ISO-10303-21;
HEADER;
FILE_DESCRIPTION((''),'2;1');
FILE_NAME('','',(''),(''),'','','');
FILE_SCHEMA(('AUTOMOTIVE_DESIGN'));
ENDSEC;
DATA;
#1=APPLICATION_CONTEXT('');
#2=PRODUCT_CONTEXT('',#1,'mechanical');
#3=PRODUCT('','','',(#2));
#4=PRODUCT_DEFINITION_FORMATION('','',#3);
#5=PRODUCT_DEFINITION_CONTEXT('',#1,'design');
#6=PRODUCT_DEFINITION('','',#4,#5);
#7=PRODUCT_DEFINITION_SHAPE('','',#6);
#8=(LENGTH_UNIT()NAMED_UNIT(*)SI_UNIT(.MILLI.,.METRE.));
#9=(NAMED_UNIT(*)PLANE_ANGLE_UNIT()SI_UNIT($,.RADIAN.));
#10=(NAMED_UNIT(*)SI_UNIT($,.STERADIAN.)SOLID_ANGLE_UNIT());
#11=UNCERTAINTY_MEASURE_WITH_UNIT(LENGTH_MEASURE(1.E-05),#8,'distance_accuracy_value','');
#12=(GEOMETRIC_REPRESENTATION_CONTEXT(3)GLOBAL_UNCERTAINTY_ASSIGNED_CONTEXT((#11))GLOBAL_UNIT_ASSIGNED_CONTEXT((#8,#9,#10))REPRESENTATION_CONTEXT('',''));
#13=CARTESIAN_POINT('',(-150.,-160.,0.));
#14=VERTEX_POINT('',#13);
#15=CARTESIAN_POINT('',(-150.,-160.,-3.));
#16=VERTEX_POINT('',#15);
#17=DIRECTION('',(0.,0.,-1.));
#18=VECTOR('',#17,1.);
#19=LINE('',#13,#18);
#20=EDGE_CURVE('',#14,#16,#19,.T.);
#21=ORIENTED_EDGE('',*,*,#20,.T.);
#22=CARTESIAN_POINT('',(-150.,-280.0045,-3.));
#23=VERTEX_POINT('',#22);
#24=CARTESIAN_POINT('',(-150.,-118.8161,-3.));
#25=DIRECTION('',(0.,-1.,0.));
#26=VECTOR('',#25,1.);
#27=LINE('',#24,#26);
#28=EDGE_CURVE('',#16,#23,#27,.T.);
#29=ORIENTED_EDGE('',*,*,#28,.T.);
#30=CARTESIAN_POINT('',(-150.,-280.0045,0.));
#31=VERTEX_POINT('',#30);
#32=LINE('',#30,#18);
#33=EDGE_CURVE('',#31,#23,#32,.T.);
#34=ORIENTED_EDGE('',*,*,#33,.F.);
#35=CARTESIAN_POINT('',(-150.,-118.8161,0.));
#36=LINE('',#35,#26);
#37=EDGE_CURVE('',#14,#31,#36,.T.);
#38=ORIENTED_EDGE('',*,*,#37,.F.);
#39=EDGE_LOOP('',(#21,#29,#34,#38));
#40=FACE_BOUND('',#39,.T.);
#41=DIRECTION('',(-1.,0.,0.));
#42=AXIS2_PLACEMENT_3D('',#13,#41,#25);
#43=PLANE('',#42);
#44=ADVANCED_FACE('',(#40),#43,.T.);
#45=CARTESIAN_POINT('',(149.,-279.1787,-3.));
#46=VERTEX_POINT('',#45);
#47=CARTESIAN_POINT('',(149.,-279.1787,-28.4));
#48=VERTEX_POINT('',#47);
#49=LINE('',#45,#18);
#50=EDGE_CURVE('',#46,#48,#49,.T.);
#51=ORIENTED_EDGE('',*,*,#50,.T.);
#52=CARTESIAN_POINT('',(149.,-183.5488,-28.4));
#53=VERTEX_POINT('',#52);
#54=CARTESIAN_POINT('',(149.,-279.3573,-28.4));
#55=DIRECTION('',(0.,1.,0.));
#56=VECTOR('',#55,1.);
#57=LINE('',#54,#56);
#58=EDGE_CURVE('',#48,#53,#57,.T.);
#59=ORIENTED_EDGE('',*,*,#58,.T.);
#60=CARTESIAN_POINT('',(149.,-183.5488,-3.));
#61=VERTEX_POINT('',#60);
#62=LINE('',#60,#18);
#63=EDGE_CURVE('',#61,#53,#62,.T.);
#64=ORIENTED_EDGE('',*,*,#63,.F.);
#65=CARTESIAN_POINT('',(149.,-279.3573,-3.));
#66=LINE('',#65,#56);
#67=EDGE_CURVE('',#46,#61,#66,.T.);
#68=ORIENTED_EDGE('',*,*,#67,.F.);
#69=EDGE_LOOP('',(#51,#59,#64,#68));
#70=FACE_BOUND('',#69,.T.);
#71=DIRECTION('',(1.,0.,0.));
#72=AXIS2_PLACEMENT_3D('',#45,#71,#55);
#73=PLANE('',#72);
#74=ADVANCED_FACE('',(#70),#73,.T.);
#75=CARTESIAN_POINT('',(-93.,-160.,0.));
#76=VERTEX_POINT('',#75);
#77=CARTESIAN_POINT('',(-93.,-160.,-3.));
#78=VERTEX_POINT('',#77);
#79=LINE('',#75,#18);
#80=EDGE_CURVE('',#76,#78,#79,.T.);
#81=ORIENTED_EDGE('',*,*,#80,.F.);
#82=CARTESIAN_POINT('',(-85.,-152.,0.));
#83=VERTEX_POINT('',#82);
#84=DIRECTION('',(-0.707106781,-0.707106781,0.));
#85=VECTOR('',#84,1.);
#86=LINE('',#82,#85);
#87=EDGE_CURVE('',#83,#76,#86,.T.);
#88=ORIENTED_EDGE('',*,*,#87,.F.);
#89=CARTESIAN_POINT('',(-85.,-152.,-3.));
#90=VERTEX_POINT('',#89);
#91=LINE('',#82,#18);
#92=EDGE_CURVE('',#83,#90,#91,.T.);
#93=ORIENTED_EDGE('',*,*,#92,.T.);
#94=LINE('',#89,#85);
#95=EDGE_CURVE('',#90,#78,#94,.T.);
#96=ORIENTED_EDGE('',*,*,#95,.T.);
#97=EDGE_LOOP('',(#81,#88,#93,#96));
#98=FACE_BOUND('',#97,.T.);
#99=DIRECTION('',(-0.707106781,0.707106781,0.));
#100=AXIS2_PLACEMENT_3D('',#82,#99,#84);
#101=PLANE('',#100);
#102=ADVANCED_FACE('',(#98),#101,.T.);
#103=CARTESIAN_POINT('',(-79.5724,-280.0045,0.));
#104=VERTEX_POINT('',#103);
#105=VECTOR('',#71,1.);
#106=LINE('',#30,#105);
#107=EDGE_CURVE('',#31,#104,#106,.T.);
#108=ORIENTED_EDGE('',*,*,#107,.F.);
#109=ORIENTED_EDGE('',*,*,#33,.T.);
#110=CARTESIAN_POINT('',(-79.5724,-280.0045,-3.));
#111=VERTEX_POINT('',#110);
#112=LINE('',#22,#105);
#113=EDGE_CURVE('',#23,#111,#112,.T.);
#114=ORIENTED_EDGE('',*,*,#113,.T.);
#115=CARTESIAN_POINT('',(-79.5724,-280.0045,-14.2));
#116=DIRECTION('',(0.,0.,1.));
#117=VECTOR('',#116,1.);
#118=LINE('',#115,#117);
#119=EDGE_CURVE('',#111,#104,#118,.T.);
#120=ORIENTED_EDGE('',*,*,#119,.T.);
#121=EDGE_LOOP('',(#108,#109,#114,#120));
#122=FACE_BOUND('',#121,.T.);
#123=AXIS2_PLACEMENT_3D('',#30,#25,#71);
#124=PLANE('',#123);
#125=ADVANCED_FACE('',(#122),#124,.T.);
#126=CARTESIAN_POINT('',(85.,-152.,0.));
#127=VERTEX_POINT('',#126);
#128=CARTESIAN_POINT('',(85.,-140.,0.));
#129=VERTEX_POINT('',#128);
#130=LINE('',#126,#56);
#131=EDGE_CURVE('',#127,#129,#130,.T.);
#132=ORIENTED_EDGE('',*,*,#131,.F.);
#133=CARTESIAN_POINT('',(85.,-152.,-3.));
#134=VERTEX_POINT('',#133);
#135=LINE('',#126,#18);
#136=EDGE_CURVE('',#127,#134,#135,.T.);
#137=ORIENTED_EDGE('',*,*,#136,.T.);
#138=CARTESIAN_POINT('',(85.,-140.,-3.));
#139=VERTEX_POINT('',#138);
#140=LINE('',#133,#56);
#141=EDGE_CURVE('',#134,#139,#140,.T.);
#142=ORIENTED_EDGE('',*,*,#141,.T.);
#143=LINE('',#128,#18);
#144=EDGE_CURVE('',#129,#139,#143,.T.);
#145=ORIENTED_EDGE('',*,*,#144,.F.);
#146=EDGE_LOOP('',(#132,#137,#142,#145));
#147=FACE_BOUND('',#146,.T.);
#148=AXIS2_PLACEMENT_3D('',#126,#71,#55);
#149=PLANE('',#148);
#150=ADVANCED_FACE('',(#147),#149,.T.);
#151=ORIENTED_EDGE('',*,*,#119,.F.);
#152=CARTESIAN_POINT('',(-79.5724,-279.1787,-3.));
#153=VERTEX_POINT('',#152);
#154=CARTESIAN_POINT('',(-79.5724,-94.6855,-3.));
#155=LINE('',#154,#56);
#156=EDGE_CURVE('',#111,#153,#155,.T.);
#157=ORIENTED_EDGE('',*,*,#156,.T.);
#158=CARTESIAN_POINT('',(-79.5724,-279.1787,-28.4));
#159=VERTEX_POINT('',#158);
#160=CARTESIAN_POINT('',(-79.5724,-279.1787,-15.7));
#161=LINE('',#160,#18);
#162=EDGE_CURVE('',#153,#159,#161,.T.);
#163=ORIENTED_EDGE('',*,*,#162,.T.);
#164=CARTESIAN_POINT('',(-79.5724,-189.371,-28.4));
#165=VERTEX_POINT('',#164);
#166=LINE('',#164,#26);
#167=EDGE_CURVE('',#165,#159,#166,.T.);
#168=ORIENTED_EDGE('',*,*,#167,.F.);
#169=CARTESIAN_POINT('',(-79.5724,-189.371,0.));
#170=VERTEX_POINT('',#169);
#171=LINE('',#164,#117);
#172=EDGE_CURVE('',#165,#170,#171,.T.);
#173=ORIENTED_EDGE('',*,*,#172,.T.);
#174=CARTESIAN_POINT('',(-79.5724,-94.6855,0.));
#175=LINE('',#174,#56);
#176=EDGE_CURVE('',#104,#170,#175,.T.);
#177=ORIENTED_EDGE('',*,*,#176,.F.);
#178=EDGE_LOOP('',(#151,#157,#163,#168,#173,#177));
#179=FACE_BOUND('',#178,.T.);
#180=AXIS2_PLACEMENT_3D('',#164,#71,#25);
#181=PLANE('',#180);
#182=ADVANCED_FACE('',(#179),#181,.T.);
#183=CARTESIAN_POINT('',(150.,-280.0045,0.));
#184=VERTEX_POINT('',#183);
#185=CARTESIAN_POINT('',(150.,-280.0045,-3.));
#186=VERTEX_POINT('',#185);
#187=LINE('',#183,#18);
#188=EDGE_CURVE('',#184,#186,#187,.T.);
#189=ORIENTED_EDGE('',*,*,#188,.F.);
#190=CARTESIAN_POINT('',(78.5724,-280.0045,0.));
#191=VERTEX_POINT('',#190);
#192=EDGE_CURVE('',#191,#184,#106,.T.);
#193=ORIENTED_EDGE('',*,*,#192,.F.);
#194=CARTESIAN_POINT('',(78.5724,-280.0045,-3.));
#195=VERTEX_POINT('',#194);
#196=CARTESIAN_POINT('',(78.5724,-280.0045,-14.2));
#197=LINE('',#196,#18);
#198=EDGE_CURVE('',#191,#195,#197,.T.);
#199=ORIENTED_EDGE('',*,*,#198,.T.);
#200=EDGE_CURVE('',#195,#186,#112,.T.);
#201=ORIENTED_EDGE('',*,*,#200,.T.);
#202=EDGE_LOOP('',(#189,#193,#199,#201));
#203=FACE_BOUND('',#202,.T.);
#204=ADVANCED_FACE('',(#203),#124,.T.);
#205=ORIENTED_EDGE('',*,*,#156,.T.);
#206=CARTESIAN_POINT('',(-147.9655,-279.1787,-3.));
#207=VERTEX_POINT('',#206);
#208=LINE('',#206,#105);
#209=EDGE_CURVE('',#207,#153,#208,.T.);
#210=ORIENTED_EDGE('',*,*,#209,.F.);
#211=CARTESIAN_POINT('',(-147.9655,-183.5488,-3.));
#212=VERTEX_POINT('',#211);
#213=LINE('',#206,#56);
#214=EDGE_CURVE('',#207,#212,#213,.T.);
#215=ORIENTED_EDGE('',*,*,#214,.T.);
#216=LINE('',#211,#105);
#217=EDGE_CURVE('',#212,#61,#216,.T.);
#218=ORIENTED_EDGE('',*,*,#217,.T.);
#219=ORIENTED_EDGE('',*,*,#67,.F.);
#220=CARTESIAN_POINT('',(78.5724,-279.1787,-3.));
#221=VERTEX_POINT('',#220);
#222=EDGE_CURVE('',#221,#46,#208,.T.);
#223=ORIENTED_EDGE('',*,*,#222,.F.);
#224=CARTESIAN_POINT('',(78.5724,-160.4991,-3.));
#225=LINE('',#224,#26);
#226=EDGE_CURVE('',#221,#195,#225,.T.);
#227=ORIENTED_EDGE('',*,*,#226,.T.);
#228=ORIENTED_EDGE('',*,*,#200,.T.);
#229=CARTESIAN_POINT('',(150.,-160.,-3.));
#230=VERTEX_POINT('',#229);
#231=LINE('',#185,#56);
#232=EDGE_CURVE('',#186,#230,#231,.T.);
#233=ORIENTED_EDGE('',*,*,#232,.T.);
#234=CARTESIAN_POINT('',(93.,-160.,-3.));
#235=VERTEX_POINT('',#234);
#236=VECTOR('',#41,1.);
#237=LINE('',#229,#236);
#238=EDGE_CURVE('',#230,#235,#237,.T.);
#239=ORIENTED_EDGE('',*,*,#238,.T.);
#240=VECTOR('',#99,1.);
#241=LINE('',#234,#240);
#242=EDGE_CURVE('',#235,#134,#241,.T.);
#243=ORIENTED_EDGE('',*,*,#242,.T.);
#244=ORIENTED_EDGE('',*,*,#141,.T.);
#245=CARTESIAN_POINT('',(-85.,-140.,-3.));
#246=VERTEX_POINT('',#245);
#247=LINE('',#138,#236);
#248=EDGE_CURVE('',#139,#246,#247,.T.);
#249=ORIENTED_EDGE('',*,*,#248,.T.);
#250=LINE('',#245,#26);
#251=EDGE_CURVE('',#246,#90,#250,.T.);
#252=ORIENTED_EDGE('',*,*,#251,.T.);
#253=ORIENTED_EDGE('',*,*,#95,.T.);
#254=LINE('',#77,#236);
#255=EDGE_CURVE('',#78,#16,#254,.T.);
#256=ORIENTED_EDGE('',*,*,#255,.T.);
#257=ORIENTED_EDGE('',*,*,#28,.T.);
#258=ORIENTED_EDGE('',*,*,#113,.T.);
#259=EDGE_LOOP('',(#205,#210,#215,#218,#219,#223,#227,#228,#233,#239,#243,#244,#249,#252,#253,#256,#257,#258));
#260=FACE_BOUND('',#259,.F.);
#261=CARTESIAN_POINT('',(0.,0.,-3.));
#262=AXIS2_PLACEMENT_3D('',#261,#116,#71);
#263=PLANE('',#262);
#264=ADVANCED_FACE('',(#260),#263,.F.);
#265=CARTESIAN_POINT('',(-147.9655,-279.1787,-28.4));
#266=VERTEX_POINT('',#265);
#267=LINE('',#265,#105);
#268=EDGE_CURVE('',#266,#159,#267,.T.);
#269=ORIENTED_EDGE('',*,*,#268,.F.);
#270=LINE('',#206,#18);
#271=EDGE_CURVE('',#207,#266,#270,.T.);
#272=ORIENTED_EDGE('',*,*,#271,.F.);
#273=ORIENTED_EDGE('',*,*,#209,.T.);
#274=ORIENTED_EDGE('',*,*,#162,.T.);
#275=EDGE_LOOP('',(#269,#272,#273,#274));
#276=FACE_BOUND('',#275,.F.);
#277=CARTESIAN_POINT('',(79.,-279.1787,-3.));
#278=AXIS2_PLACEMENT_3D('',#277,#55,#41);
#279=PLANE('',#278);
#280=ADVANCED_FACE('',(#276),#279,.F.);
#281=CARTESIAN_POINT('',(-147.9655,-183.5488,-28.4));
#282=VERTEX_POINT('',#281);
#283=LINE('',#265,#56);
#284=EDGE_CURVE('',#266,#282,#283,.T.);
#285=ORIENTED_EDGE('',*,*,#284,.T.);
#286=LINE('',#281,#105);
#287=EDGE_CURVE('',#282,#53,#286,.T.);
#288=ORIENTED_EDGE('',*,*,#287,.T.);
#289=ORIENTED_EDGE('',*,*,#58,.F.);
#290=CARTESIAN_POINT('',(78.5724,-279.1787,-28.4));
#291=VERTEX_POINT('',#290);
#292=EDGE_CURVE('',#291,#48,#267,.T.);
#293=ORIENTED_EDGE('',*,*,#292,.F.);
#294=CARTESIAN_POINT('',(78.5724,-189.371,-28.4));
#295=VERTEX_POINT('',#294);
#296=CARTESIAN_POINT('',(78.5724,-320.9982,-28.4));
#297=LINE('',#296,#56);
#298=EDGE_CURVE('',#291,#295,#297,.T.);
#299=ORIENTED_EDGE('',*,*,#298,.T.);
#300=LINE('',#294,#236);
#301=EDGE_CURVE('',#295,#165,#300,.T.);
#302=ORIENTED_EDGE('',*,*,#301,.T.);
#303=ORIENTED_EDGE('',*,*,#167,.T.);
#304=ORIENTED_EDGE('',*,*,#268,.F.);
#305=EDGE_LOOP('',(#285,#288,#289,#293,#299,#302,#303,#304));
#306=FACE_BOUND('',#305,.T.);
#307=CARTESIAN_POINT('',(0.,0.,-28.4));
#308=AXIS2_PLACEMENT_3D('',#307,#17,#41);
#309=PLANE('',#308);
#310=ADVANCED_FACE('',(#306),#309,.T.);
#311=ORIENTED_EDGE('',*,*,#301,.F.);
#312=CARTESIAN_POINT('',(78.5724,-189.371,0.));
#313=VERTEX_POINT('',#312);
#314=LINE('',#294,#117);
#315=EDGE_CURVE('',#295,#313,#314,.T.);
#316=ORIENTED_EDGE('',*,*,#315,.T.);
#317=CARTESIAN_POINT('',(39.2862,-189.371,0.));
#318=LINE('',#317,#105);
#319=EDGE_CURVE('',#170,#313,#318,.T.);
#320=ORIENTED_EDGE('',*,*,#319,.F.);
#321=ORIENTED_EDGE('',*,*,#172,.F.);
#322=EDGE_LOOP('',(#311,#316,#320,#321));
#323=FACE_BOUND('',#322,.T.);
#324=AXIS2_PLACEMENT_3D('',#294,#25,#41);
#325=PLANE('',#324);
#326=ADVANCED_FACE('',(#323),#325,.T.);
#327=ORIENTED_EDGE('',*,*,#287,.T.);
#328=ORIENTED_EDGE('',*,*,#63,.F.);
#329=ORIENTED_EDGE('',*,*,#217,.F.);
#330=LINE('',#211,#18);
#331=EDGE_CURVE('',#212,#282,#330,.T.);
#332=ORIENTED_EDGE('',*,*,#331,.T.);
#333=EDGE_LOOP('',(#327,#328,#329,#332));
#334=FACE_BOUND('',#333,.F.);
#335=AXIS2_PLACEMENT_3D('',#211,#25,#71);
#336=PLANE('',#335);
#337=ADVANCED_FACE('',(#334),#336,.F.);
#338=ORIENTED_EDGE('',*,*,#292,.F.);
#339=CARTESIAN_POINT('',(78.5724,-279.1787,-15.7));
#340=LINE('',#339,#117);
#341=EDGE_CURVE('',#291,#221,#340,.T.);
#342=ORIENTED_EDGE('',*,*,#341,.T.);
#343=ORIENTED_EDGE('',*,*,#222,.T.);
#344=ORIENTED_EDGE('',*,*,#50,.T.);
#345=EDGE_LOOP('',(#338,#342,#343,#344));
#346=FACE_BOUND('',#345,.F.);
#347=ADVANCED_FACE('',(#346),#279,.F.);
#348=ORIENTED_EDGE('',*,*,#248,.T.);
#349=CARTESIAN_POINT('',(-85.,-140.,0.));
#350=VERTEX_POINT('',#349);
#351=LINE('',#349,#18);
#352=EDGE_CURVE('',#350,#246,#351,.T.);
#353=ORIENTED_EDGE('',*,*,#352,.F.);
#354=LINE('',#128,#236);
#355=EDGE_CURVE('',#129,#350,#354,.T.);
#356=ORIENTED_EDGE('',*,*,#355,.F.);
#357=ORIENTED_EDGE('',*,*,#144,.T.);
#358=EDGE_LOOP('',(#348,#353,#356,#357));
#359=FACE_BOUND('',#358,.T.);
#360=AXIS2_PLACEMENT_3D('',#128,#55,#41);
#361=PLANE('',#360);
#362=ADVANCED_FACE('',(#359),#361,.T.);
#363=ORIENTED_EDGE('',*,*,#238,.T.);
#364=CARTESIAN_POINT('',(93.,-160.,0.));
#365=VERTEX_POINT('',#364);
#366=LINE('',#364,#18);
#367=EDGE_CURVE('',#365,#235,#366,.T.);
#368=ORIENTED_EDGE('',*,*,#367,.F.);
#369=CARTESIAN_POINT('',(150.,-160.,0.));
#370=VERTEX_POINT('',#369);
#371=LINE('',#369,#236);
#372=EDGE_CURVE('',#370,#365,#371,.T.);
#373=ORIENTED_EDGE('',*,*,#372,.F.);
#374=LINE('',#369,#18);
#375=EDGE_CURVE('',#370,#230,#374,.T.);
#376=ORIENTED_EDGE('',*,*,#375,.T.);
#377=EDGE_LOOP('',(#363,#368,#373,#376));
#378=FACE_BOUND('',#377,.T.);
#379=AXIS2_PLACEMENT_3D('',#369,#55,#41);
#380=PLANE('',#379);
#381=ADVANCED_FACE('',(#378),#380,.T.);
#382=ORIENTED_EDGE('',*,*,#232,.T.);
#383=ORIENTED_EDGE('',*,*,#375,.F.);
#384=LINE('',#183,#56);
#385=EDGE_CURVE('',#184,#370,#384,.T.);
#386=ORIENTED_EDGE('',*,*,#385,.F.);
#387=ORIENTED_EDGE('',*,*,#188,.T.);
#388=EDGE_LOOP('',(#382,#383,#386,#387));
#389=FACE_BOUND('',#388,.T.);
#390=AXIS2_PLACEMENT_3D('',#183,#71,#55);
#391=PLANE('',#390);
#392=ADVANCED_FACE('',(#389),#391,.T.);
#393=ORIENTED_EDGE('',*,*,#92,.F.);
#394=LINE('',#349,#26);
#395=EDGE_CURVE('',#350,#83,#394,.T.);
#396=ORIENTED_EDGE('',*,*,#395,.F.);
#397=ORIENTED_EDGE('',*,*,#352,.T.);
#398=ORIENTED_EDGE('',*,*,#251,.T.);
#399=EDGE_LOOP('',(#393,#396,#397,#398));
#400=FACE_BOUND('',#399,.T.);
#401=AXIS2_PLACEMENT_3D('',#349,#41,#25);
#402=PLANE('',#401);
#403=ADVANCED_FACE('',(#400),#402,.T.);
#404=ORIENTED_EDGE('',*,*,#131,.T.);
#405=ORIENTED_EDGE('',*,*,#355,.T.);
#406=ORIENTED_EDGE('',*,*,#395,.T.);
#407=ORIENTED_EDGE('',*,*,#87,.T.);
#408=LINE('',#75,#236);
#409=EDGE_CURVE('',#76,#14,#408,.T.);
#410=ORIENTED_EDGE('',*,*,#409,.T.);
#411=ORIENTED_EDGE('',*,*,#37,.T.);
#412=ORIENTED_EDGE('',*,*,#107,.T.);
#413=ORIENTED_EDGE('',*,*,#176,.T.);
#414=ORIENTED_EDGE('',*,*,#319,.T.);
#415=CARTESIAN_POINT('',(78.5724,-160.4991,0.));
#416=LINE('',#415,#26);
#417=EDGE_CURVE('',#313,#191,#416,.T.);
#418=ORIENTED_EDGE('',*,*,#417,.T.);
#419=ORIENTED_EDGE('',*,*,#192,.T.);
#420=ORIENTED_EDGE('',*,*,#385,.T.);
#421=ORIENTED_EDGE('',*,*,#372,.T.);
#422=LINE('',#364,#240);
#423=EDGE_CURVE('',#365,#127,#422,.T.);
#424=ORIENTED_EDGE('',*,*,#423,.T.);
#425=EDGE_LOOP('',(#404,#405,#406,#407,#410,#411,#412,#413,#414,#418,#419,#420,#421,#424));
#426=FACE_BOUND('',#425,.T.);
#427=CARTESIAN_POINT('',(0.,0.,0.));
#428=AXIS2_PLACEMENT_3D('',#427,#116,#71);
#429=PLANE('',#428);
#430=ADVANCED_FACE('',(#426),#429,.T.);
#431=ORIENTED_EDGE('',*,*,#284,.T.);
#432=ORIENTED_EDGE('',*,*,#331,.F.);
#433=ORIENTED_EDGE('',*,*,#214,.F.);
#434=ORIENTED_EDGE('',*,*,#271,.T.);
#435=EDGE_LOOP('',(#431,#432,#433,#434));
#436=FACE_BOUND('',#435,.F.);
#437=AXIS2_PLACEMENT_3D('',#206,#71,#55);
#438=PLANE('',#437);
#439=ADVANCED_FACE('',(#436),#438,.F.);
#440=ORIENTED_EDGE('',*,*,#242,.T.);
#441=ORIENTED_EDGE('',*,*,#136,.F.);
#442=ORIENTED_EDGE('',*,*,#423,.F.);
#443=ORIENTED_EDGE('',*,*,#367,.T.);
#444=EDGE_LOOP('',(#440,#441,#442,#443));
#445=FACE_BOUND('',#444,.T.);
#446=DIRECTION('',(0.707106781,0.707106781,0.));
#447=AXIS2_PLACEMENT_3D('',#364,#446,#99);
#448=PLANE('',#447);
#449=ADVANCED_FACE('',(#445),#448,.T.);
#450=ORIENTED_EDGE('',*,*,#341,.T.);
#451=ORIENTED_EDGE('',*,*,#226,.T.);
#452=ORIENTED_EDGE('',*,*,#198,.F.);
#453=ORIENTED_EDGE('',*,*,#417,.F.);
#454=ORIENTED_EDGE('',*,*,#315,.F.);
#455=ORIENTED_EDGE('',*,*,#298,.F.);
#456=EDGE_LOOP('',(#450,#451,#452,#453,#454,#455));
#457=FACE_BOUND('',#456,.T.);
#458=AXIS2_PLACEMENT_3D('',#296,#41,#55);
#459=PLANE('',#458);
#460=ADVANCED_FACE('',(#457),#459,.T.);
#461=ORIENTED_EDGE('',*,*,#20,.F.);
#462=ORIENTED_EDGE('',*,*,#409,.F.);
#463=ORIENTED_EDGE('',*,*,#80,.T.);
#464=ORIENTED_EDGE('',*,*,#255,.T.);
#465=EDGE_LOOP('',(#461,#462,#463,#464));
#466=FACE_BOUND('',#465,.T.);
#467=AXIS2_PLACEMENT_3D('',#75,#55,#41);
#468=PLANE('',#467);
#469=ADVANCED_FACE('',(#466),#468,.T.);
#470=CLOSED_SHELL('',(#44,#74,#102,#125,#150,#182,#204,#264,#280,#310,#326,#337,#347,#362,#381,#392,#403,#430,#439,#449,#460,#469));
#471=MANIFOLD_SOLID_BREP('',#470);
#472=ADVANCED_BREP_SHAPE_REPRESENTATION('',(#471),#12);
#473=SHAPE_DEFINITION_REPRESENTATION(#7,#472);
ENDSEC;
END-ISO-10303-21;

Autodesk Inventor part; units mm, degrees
ref_plane "YZ Plane" through (0, 0, 0) normal (1, 0, 0) x (0, 1, 0)
ref_plane "XZ Plane" through (0, 0, 0) normal (0, 1, 0) x (-1, 0, 0)
ref_plane "XY Plane" through (0, 0, 0) normal (0, 0, 1) x (1, 0, 0)
ref_plane "Work Plane1" through (0, 0, 0) normal (0, 0, 1) x (1, 0, 0)
sketch "Sketch1" plane through (0, 0, 0) normal (0, 0, 1) x (1, 0, 0)
  line L0 (93, -160) -> (85, -152) projected
  line L1 (150, -160) -> (93, -160) projected
  line L2 (150, -27.5) -> (150, -160) projected
  line L3 (110, -27.5) -> (150, -27.5) projected
  line L4 (110, 47.5) -> (110, -27.5) projected
  line L5 (150, 47.5) -> (110, 47.5) projected
  line L6 (150, 160) -> (150, 47.5) projected
  line L7 (-150, 160) -> (150, 160) projected
  line L8 (-150, 47.5) -> (-150, 160) projected
  line L9 (-110, 47.5) -> (-150, 47.5) projected
  line L10 (-110, -27.5) -> (-110, 47.5) projected
  line L11 (-150, -27.5) -> (-110, -27.5) projected
  line L12 (-150, -160) -> (-150, -27.5) projected
  line L13 (-93, -160) -> (-150, -160) projected
  line L14 (-85, -152) -> (-93, -160) projected
  line L15 (-85, -140) -> (-85, -152) projected
  line L16 (85, -140) -> (-85, -140) projected
  line L17 (85, -152) -> (85, -140) projected
  line L18 (-150, -280.0045) -> (150, -280.0045)
  line L19 (150, -280.0045) -> (150, -118.8161)
  line L20 (150, -118.8161) -> (-150, -118.8161)
  line L21 (-150, -118.8161) -> (-150, -280.0045)
  point P0 (0, 0)
extrude "Extrusion1" add sketch "Sketch1" against normal blind 3 contours L1 L19 L18 L21 L13 L14 L15 L16 L17 L0
sketch "Sketch2" plane through (0, 0, -3) normal (0, 0, -1) x (-1, 0, 0)
  line L0 (-149, -279.3573) -> (-149, -162.5589) projected
  line L1 (-79, -279.1787) -> (-149, -279.1787) projected
  line L2 (-149, -279.1787) -> (147.9655, -279.1787)
  line L3 (147.9655, -279.1787) -> (147.9655, -183.5488)
  line L4 (147.9655, -183.5488) -> (-149, -183.5488)
  line L5 (-149, -183.5488) -> (-149, -279.1787)
  point P0 (0, 0)
  point P1 (-149, -183.5488)
extrude "Extrusion2" add sketch "Sketch2" along normal blind 25.4
sketch "Sketch3" plane through (0, 0, -28.4) normal (0, 0, -1) x (-1, 0, 0)
  line L0 (75.5, -193.4434) -> (-74.5, -193.4434) projected
  line L1 (-74.5, -193.4434) -> (-74.5, -316.9258) projected
  line L2 (-74.5, -316.9258) -> (75.5, -316.9258) projected
  line L3 (75.5, -316.9258) -> (75.5, -193.4434) projected
  line L4 (63.5, -304.9759) -> (-62.5, -304.9759) projected
  line L5 (-62.5, -304.9759) -> (-62.5, -205.3933) projected
  line L6 (-62.5, -205.3933) -> (63.5, -205.3933) projected
  line L7 (63.5, -205.3933) -> (63.5, -304.9759) projected
  line L8 (-78.5724, -320.9982) -> (-78.5724, -189.371)
  line L9 (-78.5724, -189.371) -> (79.5724, -189.371)
  line L10 (79.5724, -189.371) -> (79.5724, -320.9982)
  line L11 (79.5724, -320.9982) -> (-78.5724, -320.9982)
  point P0 (0, 0)
extrude "Extrusion3" cut sketch "Sketch3" against normal blind 50.8 contours L3 L2 L1 L0 | L4 L5 L6 L7 | L8 L9 L10 L11
